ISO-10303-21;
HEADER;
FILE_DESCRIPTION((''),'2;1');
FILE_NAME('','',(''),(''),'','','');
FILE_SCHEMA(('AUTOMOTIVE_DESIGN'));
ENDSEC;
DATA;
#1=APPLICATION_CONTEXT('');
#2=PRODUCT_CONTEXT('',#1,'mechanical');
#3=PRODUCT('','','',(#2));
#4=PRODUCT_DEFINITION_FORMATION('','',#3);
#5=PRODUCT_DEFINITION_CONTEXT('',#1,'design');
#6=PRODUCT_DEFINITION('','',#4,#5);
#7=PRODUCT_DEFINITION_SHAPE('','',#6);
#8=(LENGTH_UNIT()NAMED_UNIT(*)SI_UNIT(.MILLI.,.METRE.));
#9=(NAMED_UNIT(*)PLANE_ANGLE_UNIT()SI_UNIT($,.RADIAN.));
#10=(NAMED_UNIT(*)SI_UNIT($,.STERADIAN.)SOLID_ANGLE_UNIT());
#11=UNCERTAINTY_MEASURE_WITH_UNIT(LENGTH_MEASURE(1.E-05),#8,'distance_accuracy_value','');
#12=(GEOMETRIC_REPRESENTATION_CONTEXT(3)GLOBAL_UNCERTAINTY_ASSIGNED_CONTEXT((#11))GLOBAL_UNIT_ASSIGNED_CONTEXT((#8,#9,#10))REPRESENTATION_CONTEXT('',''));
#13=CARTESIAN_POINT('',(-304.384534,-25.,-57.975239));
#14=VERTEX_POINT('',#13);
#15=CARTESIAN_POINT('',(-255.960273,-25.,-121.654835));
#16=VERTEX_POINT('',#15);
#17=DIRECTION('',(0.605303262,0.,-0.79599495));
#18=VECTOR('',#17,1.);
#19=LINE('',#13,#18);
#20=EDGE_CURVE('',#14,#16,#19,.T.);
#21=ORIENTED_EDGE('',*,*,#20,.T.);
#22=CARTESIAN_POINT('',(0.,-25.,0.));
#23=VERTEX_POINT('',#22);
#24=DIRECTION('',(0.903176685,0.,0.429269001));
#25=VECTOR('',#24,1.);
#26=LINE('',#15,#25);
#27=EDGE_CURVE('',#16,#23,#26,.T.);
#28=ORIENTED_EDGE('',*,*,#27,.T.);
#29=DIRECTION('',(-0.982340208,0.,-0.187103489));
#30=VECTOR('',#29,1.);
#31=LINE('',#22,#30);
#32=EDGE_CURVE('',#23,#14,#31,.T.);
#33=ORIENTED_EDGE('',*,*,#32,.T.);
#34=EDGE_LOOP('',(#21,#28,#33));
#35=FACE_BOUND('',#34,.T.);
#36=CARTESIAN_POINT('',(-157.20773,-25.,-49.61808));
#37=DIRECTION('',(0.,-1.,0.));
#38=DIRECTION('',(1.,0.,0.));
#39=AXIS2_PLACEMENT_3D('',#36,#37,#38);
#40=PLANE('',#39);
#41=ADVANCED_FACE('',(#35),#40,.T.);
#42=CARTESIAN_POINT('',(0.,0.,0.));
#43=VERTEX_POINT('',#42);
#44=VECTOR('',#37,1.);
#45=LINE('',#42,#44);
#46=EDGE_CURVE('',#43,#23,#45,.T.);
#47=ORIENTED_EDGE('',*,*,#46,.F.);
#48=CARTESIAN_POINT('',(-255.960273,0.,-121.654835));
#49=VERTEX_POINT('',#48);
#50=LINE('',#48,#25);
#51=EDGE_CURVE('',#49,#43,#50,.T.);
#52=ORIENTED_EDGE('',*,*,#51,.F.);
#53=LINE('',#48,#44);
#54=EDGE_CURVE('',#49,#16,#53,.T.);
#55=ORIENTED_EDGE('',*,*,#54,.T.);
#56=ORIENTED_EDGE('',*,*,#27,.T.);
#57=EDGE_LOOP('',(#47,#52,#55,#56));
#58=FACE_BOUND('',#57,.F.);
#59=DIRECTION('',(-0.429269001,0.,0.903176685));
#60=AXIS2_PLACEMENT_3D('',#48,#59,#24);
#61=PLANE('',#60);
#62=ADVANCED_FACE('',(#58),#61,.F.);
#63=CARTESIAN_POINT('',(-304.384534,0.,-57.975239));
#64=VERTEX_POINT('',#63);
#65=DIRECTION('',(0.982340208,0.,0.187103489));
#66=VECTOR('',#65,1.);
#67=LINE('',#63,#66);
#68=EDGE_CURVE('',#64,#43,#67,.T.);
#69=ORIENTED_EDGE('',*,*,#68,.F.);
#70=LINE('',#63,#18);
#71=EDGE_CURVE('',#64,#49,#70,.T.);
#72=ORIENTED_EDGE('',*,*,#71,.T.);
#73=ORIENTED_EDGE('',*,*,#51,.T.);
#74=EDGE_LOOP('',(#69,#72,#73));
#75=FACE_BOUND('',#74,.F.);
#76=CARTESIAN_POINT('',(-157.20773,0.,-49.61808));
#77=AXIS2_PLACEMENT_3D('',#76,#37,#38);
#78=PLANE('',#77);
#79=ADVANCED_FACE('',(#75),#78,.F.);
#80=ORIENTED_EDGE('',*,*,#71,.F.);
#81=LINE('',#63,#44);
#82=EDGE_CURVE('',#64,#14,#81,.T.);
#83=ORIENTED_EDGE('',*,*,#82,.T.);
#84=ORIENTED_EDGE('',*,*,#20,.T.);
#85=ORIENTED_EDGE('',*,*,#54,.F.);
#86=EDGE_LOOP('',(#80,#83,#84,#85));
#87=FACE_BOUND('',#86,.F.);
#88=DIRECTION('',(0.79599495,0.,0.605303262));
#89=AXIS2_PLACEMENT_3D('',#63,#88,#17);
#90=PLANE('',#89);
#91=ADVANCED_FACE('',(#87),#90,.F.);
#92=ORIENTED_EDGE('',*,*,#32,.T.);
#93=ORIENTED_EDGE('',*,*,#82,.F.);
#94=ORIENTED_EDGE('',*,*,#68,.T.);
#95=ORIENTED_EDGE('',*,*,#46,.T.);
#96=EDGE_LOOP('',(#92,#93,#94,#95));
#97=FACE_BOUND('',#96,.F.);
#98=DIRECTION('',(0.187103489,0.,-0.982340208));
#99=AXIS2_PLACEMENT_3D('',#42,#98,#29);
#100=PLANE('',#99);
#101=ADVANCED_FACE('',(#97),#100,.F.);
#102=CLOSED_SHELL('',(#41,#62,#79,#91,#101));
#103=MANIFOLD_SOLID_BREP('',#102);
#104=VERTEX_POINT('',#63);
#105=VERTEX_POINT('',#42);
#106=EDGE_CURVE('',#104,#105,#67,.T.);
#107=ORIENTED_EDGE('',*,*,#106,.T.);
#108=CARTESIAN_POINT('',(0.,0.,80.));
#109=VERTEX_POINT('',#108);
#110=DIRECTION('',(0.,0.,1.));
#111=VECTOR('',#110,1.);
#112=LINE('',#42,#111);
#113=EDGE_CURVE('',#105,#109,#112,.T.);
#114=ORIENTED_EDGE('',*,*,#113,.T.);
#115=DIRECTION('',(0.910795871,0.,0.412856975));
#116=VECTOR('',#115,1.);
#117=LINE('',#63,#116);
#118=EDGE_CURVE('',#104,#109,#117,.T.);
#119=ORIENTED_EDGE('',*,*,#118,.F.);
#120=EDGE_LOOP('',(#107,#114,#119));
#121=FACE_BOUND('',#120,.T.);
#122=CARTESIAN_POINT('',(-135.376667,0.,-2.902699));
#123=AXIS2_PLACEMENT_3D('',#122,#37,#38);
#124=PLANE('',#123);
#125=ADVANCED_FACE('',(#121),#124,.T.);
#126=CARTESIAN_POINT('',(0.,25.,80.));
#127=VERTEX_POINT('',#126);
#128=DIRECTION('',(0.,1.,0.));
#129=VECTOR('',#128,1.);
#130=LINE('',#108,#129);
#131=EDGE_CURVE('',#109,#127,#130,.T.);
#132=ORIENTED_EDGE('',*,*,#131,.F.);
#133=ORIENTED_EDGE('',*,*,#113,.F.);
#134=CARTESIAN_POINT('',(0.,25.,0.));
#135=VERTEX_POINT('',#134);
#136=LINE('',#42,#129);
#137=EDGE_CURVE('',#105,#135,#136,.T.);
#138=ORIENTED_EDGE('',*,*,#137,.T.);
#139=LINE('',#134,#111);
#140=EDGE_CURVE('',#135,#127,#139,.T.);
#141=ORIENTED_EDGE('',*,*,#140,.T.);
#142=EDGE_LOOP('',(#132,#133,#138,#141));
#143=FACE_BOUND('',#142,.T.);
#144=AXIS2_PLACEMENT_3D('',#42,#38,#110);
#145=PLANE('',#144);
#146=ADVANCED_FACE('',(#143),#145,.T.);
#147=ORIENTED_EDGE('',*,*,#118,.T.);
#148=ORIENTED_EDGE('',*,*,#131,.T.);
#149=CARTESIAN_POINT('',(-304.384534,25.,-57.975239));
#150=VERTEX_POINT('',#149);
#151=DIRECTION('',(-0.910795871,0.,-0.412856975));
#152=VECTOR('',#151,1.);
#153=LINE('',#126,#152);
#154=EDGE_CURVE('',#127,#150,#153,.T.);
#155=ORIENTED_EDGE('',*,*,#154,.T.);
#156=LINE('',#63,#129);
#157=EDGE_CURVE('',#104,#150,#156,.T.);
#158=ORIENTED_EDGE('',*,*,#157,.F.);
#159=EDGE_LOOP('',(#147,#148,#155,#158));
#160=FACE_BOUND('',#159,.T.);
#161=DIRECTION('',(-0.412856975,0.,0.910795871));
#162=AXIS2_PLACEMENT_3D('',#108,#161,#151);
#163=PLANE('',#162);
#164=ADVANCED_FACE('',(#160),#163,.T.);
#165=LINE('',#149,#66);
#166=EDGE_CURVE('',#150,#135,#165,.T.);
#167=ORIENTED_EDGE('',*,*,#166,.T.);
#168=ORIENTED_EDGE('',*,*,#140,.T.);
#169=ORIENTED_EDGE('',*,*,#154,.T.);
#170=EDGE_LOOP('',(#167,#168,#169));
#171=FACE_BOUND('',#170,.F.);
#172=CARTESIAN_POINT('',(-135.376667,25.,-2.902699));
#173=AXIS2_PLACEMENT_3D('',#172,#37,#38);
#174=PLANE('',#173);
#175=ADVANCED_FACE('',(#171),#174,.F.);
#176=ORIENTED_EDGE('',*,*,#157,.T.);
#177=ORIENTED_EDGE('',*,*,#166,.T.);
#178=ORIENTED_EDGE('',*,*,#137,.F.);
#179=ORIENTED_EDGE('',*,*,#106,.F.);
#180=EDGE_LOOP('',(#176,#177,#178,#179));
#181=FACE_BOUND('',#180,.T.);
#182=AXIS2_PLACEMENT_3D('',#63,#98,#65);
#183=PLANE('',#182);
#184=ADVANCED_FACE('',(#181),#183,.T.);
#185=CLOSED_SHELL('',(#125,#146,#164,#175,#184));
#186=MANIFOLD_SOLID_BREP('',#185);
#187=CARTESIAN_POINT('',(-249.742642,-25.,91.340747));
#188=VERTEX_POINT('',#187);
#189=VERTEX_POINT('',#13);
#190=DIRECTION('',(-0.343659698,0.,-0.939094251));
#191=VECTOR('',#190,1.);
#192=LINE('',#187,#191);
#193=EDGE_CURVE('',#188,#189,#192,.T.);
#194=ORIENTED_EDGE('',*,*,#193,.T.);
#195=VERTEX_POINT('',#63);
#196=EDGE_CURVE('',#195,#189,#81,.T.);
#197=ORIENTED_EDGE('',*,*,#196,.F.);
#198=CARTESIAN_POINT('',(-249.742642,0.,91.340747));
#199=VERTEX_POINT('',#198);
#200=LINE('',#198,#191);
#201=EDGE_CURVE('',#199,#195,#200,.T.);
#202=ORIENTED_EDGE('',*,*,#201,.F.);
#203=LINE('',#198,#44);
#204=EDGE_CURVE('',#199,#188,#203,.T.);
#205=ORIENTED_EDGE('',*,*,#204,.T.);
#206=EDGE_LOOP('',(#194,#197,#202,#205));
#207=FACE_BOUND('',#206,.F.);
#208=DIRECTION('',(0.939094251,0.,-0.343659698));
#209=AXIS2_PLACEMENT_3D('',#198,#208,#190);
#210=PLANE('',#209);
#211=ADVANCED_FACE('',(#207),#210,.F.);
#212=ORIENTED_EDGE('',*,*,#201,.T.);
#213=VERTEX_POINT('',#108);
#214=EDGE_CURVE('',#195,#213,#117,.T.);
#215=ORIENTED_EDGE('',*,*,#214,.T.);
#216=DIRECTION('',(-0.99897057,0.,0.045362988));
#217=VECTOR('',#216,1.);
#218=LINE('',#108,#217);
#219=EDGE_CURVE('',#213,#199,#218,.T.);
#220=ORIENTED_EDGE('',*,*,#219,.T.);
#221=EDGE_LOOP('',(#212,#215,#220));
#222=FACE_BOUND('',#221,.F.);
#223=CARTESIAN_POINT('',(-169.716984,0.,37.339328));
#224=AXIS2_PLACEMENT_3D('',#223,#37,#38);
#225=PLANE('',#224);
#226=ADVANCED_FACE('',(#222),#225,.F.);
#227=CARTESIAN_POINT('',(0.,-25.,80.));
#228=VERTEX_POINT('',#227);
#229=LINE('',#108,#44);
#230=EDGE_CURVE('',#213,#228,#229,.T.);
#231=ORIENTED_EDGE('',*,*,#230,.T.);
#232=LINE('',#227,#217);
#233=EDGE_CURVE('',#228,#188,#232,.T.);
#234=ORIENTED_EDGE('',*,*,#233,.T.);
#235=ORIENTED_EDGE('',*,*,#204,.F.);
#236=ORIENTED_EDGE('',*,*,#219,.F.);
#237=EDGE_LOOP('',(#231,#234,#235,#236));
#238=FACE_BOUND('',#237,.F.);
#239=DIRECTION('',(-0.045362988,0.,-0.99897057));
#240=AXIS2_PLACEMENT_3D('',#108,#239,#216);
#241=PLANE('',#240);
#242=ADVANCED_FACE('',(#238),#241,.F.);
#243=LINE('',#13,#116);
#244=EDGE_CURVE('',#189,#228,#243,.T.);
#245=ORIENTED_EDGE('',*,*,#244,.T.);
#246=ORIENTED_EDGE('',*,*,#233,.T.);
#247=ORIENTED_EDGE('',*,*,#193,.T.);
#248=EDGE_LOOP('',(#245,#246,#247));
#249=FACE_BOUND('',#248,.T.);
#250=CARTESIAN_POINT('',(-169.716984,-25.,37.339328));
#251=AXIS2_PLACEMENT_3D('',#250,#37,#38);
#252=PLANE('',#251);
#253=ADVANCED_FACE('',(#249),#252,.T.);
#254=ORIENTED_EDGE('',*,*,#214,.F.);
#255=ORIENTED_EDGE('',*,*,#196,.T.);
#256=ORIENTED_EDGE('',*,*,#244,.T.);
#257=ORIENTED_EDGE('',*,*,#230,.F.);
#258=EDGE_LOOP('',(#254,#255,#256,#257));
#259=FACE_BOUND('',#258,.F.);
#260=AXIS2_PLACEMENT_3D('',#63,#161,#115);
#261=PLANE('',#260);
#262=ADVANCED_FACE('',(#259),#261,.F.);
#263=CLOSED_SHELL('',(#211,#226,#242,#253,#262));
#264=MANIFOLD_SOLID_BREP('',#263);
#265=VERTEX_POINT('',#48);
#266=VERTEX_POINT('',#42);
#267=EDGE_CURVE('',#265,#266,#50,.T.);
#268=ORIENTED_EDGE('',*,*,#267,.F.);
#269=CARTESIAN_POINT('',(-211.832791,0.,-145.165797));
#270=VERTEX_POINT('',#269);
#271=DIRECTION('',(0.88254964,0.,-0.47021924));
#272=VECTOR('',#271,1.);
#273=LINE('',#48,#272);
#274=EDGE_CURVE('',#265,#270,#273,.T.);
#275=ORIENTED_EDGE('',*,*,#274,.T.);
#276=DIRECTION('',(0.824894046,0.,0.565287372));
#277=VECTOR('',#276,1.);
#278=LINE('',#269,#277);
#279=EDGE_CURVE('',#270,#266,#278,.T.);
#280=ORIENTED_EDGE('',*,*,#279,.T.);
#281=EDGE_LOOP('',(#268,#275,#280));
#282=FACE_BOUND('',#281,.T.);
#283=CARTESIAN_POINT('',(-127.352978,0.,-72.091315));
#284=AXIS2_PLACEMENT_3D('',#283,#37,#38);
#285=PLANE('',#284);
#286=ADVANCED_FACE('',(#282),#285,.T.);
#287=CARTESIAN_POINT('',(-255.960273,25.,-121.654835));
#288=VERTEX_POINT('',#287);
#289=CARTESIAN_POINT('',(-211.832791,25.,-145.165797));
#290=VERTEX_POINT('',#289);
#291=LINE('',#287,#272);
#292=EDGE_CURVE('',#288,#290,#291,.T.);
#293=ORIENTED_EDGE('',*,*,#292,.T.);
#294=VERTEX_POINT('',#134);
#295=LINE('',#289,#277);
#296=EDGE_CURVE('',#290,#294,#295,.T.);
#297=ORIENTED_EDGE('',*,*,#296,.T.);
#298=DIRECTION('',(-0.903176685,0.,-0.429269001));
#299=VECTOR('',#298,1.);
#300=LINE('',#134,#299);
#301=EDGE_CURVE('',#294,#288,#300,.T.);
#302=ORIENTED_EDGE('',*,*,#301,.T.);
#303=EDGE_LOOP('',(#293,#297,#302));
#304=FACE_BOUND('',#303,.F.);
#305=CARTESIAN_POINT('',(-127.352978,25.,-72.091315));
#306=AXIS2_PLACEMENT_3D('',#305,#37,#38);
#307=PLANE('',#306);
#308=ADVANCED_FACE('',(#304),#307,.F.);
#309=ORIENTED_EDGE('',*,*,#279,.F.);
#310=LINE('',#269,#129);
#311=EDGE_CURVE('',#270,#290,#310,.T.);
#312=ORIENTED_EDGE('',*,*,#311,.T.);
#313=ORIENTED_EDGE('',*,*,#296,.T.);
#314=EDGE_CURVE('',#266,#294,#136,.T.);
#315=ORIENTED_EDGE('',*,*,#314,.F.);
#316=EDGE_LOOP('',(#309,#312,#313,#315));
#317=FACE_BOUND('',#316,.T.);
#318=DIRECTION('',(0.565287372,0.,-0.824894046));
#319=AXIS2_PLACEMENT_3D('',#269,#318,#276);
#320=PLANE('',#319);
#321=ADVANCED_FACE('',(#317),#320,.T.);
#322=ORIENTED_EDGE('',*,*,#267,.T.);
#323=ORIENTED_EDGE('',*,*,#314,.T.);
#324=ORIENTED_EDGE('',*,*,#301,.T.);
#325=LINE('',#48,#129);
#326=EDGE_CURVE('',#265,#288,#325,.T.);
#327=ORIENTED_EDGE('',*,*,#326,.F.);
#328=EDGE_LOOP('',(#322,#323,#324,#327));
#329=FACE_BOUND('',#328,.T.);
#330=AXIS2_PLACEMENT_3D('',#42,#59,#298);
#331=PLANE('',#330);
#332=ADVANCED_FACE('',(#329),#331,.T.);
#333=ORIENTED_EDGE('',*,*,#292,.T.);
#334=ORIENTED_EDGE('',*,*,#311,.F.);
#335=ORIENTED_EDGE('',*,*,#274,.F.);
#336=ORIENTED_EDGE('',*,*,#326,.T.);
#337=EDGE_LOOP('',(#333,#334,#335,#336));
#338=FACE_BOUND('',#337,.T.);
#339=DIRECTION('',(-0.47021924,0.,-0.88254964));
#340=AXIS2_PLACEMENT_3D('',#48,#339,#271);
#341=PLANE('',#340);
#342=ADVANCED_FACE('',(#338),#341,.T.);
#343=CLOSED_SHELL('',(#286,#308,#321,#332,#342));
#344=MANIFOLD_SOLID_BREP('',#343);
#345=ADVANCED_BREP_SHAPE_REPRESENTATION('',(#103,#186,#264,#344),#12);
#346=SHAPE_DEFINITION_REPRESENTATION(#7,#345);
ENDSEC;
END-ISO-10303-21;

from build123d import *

# Parameters (mm, degrees)
F1_DEPTH = 25
F2_DEPTH = 25
F3_DEPTH = 25
F4_DEPTH = 25


with BuildPart() as f1:
    # F0 (on Front) → F1 (new body)
    with BuildSketch(Plane.XZ):
        Polygon((-304.384534, -57.975239), (0, 80), (-249.742642, 91.340747), align=None)
    extrude(amount=F1_DEPTH)

    # F0 (on Front) → F2 (join)
    with BuildSketch(Plane.XZ):
        Polygon((-304.384534, -57.975239), (0, 0), (0, 80), align=None)
    extrude(amount=-F2_DEPTH)



with BuildPart() as f3:
    # F0 (on Front) → F3 (new body)
    with BuildSketch(Plane.XZ):
        Polygon((-255.960273, -121.654835), (0, 0), (-304.384534, -57.975239), align=None)
    extrude(amount=F3_DEPTH)


with BuildPart() as f1_1:
    add(f1.part)

    add(f3.part)  # F4 merges F3
    # F0 (on Front) → F4 (join)
    with BuildSketch(Plane.XZ):
        Polygon((-211.832791, -145.165797), (0, 0), (-255.960273, -121.654835), align=None)
    extrude(amount=-F4_DEPTH)


solid = f1_1.part
